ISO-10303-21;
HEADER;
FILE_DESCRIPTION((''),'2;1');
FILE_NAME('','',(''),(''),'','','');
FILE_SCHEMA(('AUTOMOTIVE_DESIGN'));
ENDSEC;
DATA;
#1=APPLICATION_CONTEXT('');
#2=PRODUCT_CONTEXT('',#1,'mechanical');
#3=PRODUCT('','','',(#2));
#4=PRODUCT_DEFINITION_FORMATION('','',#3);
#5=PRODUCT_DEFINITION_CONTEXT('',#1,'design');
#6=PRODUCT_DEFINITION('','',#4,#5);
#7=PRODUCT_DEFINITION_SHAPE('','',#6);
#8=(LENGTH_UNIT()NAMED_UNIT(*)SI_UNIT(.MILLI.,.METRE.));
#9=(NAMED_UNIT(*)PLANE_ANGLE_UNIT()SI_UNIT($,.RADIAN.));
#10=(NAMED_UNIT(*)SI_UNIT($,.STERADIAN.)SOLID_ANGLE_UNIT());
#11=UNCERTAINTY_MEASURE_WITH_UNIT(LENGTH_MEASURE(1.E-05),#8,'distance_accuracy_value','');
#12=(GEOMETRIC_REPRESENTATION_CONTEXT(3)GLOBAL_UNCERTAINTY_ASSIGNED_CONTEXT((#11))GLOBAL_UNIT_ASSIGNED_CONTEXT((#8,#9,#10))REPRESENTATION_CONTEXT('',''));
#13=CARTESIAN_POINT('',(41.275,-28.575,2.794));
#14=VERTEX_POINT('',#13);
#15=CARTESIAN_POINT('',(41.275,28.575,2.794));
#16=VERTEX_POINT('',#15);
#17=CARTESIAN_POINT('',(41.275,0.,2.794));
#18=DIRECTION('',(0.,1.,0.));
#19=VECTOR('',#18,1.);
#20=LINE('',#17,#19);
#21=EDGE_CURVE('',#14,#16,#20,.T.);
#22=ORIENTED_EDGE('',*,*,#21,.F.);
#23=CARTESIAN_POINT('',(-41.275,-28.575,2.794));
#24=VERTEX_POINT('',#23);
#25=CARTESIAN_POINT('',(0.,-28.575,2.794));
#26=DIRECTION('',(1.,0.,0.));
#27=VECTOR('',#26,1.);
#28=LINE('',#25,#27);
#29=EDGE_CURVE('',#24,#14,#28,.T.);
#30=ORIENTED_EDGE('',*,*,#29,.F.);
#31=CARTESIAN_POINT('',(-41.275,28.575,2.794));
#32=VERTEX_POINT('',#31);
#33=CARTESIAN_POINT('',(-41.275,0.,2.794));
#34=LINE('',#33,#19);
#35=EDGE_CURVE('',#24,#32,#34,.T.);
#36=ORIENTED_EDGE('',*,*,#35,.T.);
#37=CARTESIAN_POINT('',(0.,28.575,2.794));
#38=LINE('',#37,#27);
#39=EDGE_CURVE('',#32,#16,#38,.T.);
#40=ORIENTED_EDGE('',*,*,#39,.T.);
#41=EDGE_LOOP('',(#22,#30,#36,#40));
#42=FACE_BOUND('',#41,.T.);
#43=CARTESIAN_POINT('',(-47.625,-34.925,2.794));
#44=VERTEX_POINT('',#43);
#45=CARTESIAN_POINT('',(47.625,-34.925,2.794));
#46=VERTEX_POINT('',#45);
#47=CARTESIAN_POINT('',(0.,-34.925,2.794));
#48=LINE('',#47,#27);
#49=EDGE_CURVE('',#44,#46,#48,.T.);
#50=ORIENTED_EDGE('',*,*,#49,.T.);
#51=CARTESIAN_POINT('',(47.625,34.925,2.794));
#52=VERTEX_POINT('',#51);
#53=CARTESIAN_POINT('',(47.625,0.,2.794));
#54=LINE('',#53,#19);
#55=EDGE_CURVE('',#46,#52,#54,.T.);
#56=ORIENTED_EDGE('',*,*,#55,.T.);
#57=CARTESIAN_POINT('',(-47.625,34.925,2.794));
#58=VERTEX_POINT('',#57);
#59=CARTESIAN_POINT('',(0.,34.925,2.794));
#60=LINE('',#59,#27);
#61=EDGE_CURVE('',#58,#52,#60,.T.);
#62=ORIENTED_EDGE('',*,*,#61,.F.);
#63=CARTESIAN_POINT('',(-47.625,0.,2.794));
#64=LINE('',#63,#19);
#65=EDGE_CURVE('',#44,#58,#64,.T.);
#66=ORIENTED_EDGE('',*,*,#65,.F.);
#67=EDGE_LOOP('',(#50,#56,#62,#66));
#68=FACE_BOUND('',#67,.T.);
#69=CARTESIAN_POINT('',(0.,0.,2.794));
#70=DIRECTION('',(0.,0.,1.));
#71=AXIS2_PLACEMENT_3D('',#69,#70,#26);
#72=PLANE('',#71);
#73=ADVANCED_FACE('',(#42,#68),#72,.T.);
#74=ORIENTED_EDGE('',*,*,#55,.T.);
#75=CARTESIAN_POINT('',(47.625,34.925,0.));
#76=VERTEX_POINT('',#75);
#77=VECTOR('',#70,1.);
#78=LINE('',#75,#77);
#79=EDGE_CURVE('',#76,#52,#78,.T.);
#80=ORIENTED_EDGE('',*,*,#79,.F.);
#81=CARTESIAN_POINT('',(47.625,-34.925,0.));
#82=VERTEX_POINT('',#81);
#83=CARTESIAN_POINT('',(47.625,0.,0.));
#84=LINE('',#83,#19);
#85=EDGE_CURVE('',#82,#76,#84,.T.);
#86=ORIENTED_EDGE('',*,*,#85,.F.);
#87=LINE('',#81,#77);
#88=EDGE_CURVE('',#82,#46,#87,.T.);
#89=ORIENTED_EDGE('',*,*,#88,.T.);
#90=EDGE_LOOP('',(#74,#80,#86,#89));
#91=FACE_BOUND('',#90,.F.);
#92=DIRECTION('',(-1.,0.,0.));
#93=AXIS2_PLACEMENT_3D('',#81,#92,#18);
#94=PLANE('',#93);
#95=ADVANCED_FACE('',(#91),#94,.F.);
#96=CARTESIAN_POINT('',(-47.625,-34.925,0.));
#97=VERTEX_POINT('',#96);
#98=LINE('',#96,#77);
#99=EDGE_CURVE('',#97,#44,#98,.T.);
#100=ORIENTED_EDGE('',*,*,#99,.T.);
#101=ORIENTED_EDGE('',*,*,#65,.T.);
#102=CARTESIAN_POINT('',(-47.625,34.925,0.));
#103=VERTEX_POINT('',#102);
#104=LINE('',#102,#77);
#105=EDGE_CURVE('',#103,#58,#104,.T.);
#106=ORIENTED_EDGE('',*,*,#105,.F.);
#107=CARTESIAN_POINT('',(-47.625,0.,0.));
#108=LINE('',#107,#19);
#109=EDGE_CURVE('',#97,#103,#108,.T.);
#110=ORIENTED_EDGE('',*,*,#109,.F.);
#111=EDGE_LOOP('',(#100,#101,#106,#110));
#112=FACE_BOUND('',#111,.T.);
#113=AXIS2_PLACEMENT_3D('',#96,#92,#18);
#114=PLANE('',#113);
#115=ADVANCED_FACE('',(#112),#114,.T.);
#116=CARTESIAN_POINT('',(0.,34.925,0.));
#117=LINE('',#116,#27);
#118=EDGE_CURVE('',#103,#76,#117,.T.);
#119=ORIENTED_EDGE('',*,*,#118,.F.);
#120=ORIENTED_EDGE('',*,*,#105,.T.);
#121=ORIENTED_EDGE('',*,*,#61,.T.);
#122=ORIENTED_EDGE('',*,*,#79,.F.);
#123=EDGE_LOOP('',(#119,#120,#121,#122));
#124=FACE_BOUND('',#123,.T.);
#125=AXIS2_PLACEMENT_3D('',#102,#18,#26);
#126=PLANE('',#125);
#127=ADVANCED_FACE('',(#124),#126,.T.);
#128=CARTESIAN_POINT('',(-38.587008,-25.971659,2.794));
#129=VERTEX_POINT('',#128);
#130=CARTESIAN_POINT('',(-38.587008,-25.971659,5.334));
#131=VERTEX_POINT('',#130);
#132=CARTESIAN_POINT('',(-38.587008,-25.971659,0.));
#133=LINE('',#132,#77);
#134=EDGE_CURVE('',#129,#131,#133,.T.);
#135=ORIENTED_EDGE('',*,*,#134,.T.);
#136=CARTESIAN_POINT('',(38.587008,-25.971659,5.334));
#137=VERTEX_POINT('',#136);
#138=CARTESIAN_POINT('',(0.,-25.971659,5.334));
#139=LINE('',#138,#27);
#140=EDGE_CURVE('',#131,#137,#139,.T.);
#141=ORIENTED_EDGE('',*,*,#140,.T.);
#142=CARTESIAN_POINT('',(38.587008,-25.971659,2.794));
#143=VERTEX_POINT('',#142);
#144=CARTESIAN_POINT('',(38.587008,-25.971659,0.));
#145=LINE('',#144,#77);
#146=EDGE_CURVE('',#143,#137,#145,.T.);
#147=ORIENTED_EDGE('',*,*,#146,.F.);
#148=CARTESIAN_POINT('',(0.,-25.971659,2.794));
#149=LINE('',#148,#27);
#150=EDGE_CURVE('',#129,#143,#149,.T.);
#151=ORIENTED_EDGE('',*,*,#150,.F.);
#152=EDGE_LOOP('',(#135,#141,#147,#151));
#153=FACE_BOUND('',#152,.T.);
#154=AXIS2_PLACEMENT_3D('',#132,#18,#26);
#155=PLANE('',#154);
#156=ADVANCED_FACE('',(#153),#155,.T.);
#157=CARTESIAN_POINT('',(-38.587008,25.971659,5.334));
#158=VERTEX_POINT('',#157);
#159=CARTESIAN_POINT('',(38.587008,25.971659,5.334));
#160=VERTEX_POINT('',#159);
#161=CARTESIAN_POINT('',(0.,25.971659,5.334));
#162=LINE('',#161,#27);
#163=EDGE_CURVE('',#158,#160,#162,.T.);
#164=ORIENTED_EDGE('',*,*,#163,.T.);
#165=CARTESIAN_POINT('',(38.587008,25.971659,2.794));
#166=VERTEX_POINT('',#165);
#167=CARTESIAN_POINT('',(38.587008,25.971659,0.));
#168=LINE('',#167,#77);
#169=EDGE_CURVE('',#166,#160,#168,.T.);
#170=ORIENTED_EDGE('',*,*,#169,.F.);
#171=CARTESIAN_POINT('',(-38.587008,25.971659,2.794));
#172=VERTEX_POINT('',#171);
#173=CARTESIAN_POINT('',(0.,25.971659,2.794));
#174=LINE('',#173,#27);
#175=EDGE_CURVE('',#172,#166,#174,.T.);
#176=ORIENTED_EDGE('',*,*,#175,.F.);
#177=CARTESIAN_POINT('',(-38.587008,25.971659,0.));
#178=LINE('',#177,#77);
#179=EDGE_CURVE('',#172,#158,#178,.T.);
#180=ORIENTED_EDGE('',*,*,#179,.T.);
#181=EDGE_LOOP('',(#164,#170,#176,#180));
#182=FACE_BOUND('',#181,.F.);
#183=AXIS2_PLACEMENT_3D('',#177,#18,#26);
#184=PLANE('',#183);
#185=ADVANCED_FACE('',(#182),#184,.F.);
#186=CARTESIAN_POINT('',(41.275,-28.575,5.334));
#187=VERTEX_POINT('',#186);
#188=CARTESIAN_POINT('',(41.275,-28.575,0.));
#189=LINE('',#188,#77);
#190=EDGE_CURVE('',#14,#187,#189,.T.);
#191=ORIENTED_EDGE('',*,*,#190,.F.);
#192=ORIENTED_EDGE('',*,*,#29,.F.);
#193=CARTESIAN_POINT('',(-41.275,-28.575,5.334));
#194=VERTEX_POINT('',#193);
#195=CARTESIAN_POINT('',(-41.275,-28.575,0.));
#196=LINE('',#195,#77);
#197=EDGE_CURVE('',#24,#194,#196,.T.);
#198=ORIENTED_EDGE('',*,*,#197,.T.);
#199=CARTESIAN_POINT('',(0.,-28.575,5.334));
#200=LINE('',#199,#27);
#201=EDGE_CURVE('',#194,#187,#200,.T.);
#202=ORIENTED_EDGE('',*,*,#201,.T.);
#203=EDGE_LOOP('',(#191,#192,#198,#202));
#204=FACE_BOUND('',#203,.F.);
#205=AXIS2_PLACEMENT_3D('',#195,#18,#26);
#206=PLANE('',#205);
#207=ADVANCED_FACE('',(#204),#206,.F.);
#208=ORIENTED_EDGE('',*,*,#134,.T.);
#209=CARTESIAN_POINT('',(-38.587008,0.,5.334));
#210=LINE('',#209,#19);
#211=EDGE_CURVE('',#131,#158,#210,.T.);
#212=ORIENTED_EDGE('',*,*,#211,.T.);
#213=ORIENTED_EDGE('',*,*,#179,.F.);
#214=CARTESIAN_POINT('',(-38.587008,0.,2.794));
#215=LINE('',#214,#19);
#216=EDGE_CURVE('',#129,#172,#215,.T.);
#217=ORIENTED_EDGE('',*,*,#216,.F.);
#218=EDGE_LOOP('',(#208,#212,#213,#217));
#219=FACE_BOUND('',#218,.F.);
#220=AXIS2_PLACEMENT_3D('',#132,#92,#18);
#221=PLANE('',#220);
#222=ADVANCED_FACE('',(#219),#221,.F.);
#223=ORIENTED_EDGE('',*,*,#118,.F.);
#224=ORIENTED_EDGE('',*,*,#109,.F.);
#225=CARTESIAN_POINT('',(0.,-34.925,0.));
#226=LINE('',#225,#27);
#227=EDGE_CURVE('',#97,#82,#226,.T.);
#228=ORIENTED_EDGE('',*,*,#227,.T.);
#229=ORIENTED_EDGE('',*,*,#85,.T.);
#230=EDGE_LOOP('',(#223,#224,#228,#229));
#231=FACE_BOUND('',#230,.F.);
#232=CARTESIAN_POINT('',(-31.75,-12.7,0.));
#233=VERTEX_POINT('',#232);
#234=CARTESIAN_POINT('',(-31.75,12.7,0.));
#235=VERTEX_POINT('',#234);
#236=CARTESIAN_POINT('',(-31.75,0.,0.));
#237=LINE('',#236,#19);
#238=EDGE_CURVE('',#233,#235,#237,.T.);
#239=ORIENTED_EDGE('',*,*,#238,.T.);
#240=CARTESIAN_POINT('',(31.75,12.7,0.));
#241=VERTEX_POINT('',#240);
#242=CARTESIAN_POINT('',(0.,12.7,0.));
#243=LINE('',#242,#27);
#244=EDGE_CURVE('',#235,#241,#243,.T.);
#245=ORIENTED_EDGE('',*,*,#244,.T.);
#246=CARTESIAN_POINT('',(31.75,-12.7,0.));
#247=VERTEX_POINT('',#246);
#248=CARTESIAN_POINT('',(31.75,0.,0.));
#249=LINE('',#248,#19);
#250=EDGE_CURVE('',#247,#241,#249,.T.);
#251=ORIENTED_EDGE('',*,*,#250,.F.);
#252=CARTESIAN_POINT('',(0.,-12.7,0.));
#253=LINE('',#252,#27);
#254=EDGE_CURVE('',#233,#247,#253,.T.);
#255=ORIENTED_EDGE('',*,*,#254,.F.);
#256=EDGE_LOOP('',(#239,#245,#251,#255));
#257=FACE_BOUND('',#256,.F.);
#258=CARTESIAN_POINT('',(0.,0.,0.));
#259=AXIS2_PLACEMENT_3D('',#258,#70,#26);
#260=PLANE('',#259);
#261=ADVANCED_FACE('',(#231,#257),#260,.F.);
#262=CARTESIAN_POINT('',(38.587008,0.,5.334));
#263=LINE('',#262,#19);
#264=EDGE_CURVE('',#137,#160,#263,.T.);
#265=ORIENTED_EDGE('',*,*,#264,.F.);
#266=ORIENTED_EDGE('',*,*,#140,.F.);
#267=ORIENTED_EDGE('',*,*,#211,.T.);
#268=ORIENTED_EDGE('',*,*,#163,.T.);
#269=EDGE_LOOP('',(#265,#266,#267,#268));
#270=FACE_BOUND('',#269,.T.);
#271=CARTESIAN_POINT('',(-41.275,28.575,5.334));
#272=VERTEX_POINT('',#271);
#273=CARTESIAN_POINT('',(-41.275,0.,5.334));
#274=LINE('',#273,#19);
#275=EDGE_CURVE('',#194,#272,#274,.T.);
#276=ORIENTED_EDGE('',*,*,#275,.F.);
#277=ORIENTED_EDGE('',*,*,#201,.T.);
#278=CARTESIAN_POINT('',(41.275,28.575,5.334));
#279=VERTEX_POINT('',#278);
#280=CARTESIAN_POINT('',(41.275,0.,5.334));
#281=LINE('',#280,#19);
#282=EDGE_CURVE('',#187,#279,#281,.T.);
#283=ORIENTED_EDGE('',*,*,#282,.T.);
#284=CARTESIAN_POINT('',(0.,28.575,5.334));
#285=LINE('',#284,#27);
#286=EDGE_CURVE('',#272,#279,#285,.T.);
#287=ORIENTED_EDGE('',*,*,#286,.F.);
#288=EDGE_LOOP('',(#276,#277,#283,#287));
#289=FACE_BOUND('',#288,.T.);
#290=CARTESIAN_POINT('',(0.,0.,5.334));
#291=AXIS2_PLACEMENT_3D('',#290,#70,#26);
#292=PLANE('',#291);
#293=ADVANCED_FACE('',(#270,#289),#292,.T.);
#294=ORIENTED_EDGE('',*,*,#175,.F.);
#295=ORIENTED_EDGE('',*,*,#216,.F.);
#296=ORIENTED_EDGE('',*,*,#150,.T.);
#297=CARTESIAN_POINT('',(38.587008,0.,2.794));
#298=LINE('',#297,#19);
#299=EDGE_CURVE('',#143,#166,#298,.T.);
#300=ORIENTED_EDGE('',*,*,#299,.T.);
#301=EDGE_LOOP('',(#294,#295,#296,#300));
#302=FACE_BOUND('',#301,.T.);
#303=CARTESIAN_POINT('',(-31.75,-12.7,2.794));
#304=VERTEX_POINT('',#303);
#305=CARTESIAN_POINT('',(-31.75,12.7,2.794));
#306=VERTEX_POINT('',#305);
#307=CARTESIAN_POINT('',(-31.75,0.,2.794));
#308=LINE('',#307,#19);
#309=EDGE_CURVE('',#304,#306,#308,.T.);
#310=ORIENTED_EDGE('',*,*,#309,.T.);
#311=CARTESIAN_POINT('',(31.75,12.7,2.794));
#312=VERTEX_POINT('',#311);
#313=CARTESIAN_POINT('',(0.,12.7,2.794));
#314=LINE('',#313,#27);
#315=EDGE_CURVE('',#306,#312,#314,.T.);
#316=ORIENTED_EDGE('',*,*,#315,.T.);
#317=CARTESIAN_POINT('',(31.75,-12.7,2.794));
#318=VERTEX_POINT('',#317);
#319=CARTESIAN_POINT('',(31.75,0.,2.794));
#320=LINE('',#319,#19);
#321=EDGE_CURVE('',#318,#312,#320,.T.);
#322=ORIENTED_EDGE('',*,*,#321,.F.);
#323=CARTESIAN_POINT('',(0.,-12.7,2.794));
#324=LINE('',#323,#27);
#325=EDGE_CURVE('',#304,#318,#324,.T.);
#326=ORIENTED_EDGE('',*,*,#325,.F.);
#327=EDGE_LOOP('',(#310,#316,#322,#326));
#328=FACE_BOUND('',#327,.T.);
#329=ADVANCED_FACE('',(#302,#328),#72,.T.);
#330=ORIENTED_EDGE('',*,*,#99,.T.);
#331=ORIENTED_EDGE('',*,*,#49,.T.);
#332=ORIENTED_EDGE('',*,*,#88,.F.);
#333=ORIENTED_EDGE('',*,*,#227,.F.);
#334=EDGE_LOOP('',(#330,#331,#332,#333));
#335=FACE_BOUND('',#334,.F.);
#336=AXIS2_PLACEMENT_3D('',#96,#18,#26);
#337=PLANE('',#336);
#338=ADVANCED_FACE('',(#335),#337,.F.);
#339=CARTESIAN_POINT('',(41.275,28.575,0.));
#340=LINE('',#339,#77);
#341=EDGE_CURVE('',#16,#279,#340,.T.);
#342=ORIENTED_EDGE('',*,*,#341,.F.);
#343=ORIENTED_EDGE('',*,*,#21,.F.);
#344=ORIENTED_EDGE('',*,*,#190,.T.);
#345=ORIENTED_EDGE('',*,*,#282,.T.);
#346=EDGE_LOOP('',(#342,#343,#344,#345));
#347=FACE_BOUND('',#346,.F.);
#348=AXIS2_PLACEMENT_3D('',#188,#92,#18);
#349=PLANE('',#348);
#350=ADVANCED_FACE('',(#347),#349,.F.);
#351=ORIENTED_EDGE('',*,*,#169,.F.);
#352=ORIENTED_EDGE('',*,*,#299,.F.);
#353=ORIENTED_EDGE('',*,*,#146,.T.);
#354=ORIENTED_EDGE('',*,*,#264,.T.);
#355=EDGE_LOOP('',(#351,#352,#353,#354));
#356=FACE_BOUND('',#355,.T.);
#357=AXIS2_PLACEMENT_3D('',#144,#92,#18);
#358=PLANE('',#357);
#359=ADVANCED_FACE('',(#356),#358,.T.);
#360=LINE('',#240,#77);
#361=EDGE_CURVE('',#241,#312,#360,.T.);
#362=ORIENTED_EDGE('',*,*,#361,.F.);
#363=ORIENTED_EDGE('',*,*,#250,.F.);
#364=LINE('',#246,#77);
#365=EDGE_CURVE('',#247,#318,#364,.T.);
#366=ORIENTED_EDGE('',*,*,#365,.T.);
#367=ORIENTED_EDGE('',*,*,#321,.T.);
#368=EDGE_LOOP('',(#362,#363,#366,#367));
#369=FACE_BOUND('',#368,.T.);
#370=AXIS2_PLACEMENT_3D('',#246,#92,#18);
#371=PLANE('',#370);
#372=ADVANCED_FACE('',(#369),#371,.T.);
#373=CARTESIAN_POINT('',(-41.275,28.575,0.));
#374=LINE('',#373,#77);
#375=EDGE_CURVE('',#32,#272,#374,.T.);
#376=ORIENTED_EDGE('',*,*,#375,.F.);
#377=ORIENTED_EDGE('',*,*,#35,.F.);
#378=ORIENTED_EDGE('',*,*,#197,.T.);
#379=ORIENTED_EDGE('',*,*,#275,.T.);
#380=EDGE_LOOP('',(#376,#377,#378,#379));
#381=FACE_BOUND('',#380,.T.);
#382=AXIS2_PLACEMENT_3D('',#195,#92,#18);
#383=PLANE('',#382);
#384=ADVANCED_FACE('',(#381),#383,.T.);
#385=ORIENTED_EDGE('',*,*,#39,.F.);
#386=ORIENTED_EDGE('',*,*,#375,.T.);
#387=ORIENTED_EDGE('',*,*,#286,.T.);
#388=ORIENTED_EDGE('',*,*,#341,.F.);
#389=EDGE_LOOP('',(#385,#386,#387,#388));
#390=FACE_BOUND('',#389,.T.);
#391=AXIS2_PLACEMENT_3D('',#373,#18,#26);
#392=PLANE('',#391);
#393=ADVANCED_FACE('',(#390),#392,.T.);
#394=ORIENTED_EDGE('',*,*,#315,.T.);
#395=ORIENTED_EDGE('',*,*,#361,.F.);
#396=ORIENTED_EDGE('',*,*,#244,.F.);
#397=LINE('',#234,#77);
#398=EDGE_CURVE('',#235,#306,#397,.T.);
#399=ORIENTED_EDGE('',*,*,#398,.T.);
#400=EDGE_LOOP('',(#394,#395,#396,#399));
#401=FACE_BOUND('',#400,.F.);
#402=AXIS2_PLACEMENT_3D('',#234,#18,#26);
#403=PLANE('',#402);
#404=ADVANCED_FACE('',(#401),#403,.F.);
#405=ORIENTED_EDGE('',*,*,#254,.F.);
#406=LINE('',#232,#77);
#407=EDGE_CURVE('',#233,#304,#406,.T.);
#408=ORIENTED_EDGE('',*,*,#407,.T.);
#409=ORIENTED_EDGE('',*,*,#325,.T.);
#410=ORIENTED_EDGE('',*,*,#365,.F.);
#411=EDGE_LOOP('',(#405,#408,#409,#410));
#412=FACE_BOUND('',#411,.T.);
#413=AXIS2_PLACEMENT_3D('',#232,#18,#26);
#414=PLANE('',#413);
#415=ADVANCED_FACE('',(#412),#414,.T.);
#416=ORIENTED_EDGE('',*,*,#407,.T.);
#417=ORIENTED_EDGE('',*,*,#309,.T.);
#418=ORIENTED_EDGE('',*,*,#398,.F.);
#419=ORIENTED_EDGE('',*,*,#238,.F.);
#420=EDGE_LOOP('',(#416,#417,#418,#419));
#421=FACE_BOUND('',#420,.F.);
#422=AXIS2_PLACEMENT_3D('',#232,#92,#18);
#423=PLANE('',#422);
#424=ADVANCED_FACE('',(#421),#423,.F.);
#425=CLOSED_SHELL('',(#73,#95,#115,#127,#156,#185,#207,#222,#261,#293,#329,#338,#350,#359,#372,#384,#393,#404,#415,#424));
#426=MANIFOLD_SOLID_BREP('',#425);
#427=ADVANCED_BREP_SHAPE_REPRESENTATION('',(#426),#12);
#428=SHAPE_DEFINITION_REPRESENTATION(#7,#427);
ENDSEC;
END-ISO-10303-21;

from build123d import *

# Parameters (mm, degrees)
F0_W     = 95.25
F0_H     = 69.85
F0_W_2   = 82.55
F0_H_2   = 57.15
F1_DEPTH = 2.794
F0_W_3   = 77.174016
F0_H_3   = 51.943318
F2_DEPTH = 5.334
F0_W_4   = 63.5
F0_H_4   = 25.4
F3_DEPTH = 2.794


with BuildPart() as f1:
    # F0 (on Top) → F1 (new body)
    with BuildSketch(Plane.XY):
        Rectangle(F0_W, F0_H)
        Rectangle(F0_W_2, F0_H_2, mode=Mode.SUBTRACT)
    extrude(amount=F1_DEPTH)

    # F0 (on Top) → F2 (join)
    with BuildSketch(Plane.XY):
        Rectangle(F0_W_2, F0_H_2)
        Rectangle(F0_W_3, F0_H_3, mode=Mode.SUBTRACT)
    extrude(amount=F2_DEPTH)

    # F0 (on Top) → F3 (join)
    with BuildSketch(Plane.XY):
        Rectangle(F0_W_3, F0_H_3)
        Rectangle(F0_W_4, F0_H_4, mode=Mode.SUBTRACT)
    extrude(amount=F3_DEPTH)


solid = f1.part
